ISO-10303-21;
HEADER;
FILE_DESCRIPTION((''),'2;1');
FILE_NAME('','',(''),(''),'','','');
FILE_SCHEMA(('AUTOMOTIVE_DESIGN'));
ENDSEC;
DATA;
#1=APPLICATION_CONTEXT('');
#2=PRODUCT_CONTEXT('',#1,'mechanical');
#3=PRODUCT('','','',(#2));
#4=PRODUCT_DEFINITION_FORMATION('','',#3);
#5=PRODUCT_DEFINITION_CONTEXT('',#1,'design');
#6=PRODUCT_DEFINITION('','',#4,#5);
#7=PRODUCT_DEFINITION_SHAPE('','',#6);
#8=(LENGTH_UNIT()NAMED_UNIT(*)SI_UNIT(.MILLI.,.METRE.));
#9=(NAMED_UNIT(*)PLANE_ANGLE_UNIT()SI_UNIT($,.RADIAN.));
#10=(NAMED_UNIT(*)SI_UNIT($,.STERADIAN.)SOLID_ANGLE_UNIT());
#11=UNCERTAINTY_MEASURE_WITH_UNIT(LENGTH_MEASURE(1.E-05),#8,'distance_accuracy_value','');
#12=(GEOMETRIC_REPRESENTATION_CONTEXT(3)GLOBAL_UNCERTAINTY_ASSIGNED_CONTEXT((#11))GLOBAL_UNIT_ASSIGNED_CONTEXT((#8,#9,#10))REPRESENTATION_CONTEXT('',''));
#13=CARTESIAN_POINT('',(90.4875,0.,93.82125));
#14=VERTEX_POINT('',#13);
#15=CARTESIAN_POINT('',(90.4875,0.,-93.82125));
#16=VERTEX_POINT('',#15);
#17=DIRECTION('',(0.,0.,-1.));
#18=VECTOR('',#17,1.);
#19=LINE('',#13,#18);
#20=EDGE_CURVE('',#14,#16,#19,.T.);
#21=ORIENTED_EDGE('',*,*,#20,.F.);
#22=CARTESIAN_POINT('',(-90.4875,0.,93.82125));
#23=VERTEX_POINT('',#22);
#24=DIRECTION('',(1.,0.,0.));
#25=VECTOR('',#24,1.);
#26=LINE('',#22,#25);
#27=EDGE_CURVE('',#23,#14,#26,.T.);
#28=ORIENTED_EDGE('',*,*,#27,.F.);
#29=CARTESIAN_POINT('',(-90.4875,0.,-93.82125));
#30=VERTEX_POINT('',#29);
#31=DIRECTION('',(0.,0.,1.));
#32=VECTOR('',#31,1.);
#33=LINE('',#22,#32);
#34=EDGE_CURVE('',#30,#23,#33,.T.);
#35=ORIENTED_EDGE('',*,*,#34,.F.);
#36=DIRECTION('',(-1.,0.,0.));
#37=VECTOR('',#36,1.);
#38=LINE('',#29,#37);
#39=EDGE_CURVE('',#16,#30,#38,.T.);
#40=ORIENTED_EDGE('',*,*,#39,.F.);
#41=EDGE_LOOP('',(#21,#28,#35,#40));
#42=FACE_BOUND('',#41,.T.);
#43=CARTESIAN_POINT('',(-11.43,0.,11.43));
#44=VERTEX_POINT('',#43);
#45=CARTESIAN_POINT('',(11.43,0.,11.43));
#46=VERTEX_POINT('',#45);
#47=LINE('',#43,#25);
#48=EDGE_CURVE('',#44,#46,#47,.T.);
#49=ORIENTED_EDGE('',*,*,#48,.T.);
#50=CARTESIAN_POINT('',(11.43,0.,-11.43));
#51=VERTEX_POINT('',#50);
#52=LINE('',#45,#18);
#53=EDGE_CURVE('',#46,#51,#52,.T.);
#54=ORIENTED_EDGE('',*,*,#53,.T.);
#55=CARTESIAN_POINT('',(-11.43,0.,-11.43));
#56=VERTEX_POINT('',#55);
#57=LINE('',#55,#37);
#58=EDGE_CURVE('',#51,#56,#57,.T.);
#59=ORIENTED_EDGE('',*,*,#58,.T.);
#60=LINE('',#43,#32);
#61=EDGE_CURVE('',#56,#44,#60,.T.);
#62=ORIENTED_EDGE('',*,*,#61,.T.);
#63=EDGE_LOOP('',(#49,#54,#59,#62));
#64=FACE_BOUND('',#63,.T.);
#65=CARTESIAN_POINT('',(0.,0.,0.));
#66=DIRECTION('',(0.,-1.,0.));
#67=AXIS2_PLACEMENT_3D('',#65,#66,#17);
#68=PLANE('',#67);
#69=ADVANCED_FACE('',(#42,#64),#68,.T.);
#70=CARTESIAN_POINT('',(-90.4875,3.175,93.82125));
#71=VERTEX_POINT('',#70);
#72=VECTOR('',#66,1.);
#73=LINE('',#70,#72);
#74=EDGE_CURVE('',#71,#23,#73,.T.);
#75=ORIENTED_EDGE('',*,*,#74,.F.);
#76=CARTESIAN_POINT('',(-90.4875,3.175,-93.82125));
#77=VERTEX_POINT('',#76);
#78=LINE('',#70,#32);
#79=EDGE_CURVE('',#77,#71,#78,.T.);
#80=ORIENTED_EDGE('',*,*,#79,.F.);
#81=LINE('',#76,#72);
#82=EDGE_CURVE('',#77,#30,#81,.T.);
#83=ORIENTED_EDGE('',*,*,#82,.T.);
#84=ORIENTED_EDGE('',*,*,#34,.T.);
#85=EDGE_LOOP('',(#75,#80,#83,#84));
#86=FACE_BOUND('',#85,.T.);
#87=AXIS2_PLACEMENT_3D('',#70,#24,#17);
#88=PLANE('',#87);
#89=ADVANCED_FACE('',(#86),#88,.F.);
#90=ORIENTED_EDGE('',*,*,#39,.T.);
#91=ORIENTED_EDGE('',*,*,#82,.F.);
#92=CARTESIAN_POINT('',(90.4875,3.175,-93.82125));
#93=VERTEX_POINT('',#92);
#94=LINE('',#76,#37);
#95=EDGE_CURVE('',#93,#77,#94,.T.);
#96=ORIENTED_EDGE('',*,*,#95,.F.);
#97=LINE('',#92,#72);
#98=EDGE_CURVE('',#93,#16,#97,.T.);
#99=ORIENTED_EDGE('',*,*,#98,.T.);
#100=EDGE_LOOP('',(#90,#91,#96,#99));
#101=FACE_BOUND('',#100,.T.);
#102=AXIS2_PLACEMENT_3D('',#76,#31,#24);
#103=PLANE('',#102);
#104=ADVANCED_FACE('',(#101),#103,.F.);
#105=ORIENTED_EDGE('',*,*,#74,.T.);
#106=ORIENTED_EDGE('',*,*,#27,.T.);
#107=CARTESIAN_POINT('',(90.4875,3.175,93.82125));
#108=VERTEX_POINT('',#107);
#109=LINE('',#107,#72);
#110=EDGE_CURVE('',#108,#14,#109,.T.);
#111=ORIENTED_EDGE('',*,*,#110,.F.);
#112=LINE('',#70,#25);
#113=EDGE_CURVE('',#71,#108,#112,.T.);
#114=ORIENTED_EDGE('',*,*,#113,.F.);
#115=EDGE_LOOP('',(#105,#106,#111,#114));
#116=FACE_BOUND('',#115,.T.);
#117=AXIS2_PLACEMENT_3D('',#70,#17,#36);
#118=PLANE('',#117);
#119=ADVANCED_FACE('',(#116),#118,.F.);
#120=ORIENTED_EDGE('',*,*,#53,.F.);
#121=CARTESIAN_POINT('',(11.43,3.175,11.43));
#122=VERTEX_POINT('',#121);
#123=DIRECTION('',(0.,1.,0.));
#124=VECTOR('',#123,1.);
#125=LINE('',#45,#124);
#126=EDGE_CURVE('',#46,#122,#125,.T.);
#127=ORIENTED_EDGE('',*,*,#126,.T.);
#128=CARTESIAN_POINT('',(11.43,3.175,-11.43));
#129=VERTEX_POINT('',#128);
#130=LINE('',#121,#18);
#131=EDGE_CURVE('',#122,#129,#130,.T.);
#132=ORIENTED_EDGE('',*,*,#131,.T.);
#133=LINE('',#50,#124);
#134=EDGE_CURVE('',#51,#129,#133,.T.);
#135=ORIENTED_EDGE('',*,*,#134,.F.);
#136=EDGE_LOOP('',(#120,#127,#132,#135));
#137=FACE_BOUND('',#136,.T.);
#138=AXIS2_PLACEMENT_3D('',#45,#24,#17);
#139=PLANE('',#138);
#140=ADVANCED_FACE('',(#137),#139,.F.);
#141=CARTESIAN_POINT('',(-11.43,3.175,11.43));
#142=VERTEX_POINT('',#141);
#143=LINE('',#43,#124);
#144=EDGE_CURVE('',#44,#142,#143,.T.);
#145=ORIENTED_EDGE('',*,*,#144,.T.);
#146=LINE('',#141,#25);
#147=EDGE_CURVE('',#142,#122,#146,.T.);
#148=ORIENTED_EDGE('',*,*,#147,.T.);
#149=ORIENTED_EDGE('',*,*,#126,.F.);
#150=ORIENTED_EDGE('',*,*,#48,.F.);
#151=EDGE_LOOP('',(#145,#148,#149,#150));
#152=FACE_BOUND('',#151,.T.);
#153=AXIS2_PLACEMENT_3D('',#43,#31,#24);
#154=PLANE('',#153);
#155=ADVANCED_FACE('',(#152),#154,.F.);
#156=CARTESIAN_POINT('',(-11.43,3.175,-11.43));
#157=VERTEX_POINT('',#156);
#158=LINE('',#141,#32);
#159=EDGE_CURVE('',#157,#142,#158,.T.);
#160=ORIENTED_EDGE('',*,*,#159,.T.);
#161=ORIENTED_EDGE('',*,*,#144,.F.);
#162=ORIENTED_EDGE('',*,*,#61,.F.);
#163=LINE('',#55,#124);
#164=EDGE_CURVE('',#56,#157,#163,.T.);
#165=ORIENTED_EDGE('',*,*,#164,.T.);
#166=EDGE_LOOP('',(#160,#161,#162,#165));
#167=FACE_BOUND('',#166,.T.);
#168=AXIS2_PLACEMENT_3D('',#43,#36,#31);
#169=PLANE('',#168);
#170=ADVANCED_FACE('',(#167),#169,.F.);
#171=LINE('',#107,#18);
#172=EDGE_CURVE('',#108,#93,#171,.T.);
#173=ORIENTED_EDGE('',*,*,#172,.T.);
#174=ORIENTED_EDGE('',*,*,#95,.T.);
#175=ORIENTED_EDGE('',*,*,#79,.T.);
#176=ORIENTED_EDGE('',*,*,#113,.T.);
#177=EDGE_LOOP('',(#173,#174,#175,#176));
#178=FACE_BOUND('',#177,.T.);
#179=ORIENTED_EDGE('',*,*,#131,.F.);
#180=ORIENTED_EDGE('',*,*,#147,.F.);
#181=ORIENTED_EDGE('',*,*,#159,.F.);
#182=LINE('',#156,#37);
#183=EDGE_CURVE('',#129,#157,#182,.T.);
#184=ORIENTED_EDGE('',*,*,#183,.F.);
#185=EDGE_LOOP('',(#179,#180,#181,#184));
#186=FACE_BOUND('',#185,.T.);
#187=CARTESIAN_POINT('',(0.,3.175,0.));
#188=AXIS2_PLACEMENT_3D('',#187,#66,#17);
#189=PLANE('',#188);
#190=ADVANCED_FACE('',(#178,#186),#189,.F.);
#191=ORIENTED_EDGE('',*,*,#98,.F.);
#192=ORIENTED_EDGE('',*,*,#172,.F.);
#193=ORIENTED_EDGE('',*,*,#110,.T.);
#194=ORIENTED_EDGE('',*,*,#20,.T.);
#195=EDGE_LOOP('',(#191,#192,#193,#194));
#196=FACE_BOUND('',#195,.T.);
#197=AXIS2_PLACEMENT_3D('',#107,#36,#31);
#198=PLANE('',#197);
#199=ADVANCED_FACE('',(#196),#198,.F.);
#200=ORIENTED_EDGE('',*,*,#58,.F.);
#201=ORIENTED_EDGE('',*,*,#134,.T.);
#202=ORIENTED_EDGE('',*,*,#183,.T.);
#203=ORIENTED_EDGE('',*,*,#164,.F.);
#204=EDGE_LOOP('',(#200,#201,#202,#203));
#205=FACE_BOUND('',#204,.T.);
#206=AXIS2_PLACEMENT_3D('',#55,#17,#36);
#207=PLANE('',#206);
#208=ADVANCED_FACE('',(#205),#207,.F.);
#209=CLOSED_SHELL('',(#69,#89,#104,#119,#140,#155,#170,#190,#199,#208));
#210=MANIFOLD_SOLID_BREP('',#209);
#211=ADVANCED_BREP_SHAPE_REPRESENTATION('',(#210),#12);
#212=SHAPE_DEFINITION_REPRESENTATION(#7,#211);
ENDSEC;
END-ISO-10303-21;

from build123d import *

# Parameters (mm, degrees)
SKETCH1_W           = 180.975
SKETCH1_H           = 187.6425
BOSS_EXTRUDE1_DEPTH = 3.175
SKETCH2_W           = 22.86
SKETCH2_H           = 22.86
CUT_EXTRUDE1_DEPTH  = 3.175


with BuildPart() as part:
    # Sketch1 → Boss-Extrude1 (new body)
    with BuildSketch(Plane(origin=(0, 0, 0), x_dir=(1, 0, 0), z_dir=(0, 1, 0))):
        Rectangle(SKETCH1_W, SKETCH1_H)
    extrude(amount=BOSS_EXTRUDE1_DEPTH)

    # Sketch2 → Cut-Extrude1 (cut)
    with BuildSketch(Plane(origin=(0, 3.175, 0), x_dir=(1, 0, 0), z_dir=(0, 1, 0))):
        Rectangle(SKETCH2_W, SKETCH2_H)
    extrude(amount=-CUT_EXTRUDE1_DEPTH, mode=Mode.SUBTRACT)


solid = part.part
